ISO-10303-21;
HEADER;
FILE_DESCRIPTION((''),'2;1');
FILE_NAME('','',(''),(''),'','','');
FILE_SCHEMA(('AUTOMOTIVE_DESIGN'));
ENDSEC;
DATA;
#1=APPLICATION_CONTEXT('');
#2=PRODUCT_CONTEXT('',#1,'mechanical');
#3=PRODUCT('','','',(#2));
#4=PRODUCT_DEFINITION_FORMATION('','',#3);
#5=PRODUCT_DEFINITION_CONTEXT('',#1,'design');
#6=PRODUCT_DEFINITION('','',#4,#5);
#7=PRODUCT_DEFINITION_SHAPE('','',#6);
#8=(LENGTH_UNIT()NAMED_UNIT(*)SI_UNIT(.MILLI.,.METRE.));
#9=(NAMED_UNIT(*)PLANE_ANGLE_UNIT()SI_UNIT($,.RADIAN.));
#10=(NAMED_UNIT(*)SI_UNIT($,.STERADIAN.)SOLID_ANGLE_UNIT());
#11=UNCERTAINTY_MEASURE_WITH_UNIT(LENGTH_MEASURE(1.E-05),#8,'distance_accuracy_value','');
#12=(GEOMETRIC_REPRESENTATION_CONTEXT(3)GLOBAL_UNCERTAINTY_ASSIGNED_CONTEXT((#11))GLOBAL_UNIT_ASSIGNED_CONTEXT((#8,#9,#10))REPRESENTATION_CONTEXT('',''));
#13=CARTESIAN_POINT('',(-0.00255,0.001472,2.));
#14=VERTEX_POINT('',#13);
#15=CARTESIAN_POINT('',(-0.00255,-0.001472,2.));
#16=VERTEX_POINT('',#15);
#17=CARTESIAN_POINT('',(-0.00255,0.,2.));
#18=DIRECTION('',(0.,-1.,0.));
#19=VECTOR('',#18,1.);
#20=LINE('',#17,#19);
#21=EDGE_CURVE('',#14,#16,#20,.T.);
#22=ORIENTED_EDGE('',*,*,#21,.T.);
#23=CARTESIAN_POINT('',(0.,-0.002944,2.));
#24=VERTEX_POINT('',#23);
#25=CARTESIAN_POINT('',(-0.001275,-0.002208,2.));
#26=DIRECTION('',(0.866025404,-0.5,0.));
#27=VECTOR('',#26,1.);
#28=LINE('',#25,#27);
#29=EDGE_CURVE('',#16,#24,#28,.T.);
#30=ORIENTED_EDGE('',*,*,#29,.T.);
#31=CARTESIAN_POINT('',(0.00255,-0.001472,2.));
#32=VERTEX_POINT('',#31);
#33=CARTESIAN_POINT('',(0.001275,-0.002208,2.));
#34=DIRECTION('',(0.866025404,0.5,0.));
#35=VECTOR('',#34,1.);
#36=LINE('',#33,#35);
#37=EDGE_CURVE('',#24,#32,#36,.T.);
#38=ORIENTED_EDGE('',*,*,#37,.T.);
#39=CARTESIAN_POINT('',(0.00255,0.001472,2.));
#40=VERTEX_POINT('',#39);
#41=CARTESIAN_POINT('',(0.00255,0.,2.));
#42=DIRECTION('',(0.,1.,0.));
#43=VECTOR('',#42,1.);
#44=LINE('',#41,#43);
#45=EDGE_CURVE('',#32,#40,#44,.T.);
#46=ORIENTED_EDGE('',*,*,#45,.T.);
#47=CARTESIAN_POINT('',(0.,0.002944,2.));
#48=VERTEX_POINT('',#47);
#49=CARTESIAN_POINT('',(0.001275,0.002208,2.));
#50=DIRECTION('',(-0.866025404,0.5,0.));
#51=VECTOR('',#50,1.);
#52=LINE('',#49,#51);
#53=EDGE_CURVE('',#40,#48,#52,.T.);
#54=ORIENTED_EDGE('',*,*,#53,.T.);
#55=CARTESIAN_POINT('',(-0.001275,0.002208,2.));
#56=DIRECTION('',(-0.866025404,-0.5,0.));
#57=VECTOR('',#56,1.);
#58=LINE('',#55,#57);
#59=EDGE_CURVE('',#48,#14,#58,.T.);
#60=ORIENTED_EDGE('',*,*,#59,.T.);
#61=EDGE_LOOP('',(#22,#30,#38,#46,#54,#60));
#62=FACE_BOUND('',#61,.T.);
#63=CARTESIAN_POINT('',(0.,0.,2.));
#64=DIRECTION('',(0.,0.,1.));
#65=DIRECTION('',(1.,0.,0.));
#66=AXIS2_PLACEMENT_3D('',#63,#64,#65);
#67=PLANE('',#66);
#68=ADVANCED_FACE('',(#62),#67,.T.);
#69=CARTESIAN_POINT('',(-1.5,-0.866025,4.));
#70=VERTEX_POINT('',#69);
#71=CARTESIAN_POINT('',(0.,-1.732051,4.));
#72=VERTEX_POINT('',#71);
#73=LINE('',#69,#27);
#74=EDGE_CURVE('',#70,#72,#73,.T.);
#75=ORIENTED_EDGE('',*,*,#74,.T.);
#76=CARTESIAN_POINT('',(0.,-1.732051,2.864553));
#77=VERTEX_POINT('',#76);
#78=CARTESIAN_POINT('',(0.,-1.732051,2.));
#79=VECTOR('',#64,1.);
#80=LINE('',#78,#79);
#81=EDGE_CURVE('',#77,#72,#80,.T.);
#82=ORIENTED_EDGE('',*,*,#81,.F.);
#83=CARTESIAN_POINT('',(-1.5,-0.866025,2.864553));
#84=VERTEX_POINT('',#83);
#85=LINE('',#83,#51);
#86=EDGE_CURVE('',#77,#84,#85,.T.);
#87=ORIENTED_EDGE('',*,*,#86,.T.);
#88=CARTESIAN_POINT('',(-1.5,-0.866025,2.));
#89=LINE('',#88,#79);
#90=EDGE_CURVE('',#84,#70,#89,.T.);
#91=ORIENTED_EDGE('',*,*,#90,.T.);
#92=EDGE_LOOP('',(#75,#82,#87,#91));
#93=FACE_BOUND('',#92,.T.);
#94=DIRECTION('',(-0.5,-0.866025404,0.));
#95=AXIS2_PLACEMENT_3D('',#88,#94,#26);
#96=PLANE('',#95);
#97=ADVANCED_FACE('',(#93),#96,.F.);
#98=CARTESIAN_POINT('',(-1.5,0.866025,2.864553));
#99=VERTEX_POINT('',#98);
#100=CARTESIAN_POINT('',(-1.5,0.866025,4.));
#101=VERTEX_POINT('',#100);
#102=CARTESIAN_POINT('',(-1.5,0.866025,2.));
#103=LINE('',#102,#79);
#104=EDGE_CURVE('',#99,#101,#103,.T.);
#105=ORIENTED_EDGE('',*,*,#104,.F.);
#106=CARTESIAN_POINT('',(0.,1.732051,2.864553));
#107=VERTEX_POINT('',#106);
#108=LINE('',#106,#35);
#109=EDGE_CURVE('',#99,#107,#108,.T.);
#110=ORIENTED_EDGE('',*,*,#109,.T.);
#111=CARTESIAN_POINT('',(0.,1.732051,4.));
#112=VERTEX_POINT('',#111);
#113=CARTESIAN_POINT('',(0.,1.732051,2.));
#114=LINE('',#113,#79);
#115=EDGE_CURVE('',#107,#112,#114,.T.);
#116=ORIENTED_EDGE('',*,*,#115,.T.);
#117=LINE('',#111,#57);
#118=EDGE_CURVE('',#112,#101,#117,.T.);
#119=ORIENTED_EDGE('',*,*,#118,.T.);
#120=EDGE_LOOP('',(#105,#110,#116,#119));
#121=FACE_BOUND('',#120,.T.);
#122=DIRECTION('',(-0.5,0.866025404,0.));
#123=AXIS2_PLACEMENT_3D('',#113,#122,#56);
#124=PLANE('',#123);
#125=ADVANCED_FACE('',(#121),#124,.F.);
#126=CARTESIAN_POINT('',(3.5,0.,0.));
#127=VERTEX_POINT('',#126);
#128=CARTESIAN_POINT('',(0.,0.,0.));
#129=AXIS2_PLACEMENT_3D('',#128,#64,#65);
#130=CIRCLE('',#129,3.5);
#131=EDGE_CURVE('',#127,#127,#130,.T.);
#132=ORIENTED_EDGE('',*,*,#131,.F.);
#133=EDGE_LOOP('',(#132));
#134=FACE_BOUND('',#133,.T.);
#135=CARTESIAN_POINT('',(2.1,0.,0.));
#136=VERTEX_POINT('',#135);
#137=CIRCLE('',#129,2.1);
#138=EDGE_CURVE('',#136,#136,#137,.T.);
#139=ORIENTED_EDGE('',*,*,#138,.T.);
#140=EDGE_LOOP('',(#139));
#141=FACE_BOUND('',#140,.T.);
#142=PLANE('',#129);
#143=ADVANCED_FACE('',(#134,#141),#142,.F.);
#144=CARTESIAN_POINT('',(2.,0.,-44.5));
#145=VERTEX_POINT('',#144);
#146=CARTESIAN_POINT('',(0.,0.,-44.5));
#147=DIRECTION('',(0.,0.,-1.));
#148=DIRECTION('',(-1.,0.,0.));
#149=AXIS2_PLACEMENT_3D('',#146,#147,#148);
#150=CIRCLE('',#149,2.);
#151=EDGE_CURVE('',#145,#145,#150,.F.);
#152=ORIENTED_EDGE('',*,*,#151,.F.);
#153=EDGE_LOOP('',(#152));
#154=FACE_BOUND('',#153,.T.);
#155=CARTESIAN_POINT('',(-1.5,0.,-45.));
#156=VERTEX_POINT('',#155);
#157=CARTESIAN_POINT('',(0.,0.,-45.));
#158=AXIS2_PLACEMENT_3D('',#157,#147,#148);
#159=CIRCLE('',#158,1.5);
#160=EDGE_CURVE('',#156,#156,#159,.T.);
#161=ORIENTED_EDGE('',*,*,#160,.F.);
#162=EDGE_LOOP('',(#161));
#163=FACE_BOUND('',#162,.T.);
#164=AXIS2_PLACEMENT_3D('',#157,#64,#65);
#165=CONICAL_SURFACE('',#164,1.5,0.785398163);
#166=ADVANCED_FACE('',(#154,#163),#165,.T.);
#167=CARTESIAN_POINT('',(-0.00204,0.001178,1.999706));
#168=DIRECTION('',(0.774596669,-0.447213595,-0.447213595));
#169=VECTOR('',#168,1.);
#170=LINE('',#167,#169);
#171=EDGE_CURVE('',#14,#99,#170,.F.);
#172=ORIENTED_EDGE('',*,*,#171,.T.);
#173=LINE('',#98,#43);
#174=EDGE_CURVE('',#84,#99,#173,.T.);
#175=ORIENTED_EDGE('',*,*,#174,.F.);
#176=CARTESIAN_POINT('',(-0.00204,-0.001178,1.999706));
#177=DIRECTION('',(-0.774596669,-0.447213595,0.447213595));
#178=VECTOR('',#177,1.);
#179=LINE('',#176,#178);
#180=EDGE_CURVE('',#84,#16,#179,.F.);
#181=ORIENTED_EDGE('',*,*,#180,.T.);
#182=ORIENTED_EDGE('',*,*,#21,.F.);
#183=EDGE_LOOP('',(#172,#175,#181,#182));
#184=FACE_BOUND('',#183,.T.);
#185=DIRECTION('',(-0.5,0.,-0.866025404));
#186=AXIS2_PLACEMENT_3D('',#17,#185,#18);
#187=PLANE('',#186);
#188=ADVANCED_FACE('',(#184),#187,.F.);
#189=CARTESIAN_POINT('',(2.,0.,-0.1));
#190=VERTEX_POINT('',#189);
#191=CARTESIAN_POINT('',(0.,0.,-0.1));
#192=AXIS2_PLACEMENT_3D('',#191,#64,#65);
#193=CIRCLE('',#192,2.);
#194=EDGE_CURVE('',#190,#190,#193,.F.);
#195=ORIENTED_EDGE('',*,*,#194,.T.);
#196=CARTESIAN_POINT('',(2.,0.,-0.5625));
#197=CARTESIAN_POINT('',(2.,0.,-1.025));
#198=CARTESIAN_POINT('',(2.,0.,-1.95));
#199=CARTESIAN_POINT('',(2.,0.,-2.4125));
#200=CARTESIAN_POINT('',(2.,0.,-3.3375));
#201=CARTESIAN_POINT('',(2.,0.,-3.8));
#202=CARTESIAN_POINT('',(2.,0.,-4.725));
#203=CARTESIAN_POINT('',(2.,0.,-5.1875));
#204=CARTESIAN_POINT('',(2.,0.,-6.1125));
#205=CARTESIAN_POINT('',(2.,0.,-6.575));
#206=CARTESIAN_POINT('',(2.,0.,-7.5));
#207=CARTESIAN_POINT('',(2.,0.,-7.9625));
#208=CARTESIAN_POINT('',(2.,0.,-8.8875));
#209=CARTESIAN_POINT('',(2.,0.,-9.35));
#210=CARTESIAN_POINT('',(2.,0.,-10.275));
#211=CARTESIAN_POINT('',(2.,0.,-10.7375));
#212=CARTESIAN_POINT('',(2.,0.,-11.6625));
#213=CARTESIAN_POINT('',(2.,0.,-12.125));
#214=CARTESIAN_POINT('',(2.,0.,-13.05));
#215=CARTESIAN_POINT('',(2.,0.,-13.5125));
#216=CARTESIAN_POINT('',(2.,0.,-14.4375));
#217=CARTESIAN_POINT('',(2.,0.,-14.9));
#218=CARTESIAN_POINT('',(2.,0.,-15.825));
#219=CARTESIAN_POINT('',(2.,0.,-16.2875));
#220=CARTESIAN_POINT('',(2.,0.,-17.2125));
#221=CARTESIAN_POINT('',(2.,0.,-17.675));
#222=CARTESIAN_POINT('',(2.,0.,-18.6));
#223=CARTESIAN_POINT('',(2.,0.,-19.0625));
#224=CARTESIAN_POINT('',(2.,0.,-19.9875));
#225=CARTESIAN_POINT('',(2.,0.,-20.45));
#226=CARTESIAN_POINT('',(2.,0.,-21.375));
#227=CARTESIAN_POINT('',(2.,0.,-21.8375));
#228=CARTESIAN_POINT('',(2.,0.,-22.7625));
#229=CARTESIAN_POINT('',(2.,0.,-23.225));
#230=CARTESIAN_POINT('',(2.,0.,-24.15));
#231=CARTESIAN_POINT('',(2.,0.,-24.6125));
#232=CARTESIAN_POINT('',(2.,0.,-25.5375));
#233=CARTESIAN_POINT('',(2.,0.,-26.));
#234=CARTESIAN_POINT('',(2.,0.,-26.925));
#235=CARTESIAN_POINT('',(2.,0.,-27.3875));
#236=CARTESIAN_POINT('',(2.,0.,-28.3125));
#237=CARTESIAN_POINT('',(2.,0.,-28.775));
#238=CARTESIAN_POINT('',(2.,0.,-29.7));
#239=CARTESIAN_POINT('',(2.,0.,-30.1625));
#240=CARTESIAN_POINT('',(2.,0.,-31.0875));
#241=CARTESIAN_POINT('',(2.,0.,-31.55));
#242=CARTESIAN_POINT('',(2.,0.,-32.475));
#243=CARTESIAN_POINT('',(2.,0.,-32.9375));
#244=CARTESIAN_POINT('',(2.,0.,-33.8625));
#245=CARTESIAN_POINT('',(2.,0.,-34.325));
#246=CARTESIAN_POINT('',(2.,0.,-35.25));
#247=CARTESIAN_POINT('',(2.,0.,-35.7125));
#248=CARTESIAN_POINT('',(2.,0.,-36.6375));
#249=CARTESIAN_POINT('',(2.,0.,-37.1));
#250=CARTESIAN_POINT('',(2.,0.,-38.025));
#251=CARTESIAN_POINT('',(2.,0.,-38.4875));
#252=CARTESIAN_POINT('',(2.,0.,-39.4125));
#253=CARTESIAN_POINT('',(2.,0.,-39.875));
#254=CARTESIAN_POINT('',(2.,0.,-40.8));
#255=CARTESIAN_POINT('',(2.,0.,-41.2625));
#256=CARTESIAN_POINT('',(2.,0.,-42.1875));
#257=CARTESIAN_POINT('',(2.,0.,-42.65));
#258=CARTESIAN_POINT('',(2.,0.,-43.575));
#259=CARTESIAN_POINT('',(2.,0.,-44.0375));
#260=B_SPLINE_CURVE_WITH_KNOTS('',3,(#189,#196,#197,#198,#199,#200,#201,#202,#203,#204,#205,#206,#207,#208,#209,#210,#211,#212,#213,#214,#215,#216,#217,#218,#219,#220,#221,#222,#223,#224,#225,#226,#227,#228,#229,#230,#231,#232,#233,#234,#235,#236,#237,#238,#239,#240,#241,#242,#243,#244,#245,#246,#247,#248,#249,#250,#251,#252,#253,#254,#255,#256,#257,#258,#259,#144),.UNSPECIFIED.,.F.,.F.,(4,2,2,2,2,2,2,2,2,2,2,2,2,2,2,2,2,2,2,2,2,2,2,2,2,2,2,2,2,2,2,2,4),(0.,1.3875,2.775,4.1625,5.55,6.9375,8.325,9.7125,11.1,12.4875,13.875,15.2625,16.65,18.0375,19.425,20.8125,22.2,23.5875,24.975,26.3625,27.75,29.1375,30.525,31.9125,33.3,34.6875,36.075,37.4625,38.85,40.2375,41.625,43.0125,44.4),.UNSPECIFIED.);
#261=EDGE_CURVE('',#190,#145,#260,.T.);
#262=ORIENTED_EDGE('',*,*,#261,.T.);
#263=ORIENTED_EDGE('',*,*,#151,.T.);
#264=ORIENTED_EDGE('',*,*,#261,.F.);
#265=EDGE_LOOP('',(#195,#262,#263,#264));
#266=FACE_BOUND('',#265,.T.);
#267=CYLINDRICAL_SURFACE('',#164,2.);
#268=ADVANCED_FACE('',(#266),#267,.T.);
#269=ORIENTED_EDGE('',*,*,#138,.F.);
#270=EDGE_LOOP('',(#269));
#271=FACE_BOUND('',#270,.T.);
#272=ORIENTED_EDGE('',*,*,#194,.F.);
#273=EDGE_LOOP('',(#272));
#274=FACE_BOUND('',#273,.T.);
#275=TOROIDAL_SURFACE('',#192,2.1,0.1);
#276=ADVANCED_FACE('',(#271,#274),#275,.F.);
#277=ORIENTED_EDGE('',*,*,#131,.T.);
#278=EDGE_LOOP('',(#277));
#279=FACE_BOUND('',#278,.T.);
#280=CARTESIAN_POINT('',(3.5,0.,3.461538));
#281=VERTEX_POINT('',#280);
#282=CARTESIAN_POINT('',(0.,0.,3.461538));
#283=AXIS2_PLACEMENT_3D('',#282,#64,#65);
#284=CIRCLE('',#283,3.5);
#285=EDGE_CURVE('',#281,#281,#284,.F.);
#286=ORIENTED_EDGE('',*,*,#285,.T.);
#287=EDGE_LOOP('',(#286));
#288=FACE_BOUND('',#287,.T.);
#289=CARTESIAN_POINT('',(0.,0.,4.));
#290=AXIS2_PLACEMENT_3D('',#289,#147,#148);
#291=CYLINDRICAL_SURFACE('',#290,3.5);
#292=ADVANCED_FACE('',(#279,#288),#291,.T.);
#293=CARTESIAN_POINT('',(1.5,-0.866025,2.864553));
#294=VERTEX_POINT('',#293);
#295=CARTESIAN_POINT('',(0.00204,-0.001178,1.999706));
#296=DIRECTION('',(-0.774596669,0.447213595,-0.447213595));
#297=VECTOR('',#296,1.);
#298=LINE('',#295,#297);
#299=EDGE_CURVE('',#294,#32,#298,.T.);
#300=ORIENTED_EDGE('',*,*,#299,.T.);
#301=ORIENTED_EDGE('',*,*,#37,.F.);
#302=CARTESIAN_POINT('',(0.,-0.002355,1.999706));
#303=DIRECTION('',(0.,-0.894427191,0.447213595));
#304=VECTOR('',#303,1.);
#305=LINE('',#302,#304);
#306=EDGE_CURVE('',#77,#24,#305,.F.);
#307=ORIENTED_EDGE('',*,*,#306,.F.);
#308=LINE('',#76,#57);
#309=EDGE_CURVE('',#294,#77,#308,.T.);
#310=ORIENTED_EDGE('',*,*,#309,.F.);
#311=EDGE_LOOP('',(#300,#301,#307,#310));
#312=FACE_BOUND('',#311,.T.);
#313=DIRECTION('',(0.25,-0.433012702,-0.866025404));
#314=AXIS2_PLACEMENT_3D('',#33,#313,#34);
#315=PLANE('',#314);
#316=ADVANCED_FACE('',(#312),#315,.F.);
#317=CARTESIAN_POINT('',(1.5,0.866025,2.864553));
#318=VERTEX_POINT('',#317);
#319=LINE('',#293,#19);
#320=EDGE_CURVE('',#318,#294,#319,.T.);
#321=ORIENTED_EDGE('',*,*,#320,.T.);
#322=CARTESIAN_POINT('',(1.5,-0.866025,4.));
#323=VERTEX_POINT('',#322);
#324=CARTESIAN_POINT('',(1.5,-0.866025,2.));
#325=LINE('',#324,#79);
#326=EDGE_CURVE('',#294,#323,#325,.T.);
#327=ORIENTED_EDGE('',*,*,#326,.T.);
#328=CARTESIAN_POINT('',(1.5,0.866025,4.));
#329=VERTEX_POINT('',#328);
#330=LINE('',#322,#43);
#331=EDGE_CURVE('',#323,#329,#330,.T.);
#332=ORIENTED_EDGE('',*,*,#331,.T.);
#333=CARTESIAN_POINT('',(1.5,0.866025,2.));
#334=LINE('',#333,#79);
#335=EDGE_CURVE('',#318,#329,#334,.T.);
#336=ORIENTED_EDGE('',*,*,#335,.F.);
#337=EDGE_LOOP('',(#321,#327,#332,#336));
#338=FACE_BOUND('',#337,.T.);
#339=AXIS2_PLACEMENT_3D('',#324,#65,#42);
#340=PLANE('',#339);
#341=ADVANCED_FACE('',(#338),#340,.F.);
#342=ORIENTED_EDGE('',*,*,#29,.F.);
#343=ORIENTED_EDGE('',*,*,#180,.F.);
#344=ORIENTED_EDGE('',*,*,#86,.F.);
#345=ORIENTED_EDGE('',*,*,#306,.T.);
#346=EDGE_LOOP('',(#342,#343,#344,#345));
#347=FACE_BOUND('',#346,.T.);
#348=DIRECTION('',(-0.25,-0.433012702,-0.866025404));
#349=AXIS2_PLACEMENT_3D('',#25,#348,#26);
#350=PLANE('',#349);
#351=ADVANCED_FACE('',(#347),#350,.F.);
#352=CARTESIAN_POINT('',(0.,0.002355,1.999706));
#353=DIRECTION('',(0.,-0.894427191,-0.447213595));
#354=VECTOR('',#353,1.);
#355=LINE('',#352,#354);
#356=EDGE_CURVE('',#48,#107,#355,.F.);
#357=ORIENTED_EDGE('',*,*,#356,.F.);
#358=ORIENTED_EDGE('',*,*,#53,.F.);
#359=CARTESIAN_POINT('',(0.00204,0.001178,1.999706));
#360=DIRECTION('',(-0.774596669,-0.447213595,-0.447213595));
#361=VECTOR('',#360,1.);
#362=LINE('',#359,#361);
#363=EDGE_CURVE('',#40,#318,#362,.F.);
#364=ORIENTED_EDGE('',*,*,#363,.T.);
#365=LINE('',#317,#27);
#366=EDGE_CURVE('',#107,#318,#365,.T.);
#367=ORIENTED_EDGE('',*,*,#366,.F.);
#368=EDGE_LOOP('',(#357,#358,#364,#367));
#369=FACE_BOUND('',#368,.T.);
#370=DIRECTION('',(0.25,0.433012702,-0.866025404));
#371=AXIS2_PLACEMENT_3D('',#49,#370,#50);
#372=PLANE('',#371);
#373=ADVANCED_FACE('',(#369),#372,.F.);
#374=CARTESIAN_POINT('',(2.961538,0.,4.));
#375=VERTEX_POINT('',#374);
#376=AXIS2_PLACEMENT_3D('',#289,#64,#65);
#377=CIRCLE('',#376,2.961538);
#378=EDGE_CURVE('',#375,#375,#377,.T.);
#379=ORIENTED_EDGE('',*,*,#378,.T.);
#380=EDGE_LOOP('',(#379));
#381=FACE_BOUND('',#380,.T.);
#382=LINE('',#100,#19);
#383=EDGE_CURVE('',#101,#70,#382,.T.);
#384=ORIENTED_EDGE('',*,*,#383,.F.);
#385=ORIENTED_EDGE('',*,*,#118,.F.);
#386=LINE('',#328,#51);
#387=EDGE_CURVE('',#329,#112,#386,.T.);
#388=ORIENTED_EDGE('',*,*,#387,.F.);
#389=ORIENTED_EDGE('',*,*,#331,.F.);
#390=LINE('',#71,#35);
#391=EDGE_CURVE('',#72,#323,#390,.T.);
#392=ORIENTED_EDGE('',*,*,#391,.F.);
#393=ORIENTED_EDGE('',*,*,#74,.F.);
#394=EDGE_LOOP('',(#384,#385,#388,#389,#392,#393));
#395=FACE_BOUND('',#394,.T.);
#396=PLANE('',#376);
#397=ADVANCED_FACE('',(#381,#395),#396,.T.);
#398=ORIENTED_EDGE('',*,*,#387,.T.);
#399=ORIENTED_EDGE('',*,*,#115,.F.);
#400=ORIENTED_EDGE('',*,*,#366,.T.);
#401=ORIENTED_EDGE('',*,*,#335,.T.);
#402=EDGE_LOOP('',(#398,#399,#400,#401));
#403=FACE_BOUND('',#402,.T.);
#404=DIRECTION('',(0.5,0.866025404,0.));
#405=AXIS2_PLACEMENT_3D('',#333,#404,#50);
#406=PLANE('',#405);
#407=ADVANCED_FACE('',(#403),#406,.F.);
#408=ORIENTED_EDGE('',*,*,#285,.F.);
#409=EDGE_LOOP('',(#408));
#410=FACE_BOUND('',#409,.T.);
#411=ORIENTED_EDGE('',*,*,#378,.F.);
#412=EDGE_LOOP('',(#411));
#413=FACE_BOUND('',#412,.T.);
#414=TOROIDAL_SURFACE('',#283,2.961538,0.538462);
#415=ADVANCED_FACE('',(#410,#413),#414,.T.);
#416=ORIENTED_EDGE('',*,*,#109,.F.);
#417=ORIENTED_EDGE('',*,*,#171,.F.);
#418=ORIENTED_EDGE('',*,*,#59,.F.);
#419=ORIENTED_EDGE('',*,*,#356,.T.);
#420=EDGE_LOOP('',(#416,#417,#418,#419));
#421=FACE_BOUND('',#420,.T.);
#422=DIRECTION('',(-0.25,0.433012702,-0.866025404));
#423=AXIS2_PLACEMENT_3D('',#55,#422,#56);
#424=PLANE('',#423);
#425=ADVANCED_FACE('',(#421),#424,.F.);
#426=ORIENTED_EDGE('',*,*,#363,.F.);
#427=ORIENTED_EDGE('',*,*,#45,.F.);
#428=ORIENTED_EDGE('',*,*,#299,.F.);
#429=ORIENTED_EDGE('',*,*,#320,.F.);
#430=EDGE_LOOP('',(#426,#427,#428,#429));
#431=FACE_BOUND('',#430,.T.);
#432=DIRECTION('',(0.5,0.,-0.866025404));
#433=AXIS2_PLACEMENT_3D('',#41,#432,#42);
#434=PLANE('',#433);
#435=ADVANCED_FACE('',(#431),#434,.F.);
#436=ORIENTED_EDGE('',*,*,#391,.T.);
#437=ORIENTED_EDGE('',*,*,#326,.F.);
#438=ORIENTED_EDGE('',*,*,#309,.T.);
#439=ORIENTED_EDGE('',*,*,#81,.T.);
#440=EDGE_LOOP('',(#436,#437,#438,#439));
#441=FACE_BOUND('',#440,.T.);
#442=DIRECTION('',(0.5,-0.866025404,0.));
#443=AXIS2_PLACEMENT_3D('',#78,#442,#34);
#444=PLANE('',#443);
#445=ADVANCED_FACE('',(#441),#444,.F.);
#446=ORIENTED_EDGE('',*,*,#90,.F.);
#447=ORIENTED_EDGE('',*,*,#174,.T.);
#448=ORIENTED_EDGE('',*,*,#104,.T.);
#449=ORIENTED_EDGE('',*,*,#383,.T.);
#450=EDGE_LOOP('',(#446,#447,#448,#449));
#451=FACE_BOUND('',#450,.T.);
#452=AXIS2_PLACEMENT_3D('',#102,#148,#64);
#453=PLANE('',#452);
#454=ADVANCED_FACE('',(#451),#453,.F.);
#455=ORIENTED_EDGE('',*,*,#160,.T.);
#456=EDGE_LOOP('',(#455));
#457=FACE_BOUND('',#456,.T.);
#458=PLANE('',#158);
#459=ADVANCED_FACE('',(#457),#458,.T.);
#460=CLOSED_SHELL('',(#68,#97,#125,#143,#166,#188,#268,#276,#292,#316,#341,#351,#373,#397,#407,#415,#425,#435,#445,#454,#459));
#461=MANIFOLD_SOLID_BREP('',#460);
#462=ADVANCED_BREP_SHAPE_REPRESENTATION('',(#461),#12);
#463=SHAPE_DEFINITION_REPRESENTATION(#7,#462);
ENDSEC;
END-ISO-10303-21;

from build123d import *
from OCP.BRepFilletAPI import BRepFilletAPI_MakeChamfer

# Parameters (mm, degrees)
SKETCH_1_R          = 3.5
EXTRUDE_1_DEPTH     = 4
CUT_EXTRUDE_1_DEPTH = 2
SKETCH_3_R          = 2
EXTRUDE_2_DEPTH     = 45
CHAMFER_1_SIZE      = 0.5
FILLET_1_R          = 0.538461538
CHAMFER_2_SIZE      = 0.864553314
CHAMFER_2_SIZE2     = 1.497450266
FILLET_2_R          = 0.1


with BuildPart() as part:
    # 草图1 → 凸台-拉伸1 (new body)
    with BuildSketch(Plane.XY):
        Circle(SKETCH_1_R)
    extrude(amount=EXTRUDE_1_DEPTH)

    # 草图2 → 切除-拉伸1 (cut)
    with BuildSketch(Plane.XY.offset(4)):
        Polygon((1.5, 0.866025404), (0, 1.732050808), (-1.5, 0.866025404), (-1.5, -0.866025404), (0, -1.732050808), (1.5, -0.866025404), align=None)
    extrude(amount=-CUT_EXTRUDE_1_DEPTH, mode=Mode.SUBTRACT)

    # 草图3 → 凸台-拉伸2 (add)
    with BuildSketch(Plane(origin=(0, 0, 0), x_dir=(-1, 0, 0), z_dir=(0, 0, -1))):
        Circle(SKETCH_3_R)
    extrude(amount=EXTRUDE_2_DEPTH)

    # 倒角1
    chamfer_1_edges = [part.edges().sort_by_distance(p)[0] for p in [
        (2, 0, -45),
    ]]
    chamfer(chamfer_1_edges, length=CHAMFER_1_SIZE)

    # 圆角1
    fillet_1_edges = [part.edges().sort_by_distance(p)[0] for p in [
        (-3.5, 0, 4),
    ]]
    fillet(fillet_1_edges, radius=FILLET_1_R)

    # 倒角2: one chamfer whose edges measure the first distance from different faces: ONE call of the kernel's chamfer builder (chamfer() names one face for all edges)
    chamfer_2_edges_1 = [part.edges().sort_by_distance(p)[0] for p in [
        (-1.5, 0, 2),
    ]]
    chamfer_2_side_1 = [part.faces().sort_by_distance(p)[0] for p in [
        (-1.5, 0, 3),
    ]]
    chamfer_2_edges_2 = [part.edges().sort_by_distance(p)[0] for p in [
        (-0.75, 1.299038106, 2),
    ]]
    chamfer_2_side_2 = [part.faces().sort_by_distance(p)[0] for p in [
        (-0.75, 1.299038106, 3),
    ]]
    chamfer_2_edges_3 = [part.edges().sort_by_distance(p)[0] for p in [
        (0.75, 1.299038106, 2),
    ]]
    chamfer_2_side_3 = [part.faces().sort_by_distance(p)[0] for p in [
        (0.75, 1.299038106, 3),
    ]]
    chamfer_2_edges_4 = [part.edges().sort_by_distance(p)[0] for p in [
        (1.5, 0, 2),
    ]]
    chamfer_2_side_4 = [part.faces().sort_by_distance(p)[0] for p in [
        (1.5, 0, 3),
    ]]
    chamfer_2_edges_5 = [part.edges().sort_by_distance(p)[0] for p in [
        (-0.75, -1.299038106, 2),
    ]]
    chamfer_2_side_5 = [part.faces().sort_by_distance(p)[0] for p in [
        (-0.75, -1.299038106, 3),
    ]]
    chamfer_2_edges_6 = [part.edges().sort_by_distance(p)[0] for p in [
        (0.75, -1.299038106, 2),
    ]]
    chamfer_2_side_6 = [part.faces().sort_by_distance(p)[0] for p in [
        (0.75, -1.299038106, 3),
    ]]
    chamfer_2 = BRepFilletAPI_MakeChamfer(part.part.solid().wrapped)
    for e in chamfer_2_edges_1:
        chamfer_2.Add(CHAMFER_2_SIZE, CHAMFER_2_SIZE2, e.wrapped, chamfer_2_side_1[0].wrapped)  # the first distance lies on this face
    for e in chamfer_2_edges_2:
        chamfer_2.Add(CHAMFER_2_SIZE, CHAMFER_2_SIZE2, e.wrapped, chamfer_2_side_2[0].wrapped)  # the first distance lies on this face
    for e in chamfer_2_edges_3:
        chamfer_2.Add(CHAMFER_2_SIZE, CHAMFER_2_SIZE2, e.wrapped, chamfer_2_side_3[0].wrapped)  # the first distance lies on this face
    for e in chamfer_2_edges_4:
        chamfer_2.Add(CHAMFER_2_SIZE, CHAMFER_2_SIZE2, e.wrapped, chamfer_2_side_4[0].wrapped)  # the first distance lies on this face
    for e in chamfer_2_edges_5:
        chamfer_2.Add(CHAMFER_2_SIZE, CHAMFER_2_SIZE2, e.wrapped, chamfer_2_side_5[0].wrapped)  # the first distance lies on this face
    for e in chamfer_2_edges_6:
        chamfer_2.Add(CHAMFER_2_SIZE, CHAMFER_2_SIZE2, e.wrapped, chamfer_2_side_6[0].wrapped)  # the first distance lies on this face
    add(Compound.cast(chamfer_2.Shape()), mode=Mode.REPLACE)

    # 圆角2
    fillet_2_edges = [part.edges().sort_by_distance(p)[0] for p in [
        (2, 0, 0),
    ]]
    fillet(fillet_2_edges, radius=FILLET_2_R)


solid = part.part
